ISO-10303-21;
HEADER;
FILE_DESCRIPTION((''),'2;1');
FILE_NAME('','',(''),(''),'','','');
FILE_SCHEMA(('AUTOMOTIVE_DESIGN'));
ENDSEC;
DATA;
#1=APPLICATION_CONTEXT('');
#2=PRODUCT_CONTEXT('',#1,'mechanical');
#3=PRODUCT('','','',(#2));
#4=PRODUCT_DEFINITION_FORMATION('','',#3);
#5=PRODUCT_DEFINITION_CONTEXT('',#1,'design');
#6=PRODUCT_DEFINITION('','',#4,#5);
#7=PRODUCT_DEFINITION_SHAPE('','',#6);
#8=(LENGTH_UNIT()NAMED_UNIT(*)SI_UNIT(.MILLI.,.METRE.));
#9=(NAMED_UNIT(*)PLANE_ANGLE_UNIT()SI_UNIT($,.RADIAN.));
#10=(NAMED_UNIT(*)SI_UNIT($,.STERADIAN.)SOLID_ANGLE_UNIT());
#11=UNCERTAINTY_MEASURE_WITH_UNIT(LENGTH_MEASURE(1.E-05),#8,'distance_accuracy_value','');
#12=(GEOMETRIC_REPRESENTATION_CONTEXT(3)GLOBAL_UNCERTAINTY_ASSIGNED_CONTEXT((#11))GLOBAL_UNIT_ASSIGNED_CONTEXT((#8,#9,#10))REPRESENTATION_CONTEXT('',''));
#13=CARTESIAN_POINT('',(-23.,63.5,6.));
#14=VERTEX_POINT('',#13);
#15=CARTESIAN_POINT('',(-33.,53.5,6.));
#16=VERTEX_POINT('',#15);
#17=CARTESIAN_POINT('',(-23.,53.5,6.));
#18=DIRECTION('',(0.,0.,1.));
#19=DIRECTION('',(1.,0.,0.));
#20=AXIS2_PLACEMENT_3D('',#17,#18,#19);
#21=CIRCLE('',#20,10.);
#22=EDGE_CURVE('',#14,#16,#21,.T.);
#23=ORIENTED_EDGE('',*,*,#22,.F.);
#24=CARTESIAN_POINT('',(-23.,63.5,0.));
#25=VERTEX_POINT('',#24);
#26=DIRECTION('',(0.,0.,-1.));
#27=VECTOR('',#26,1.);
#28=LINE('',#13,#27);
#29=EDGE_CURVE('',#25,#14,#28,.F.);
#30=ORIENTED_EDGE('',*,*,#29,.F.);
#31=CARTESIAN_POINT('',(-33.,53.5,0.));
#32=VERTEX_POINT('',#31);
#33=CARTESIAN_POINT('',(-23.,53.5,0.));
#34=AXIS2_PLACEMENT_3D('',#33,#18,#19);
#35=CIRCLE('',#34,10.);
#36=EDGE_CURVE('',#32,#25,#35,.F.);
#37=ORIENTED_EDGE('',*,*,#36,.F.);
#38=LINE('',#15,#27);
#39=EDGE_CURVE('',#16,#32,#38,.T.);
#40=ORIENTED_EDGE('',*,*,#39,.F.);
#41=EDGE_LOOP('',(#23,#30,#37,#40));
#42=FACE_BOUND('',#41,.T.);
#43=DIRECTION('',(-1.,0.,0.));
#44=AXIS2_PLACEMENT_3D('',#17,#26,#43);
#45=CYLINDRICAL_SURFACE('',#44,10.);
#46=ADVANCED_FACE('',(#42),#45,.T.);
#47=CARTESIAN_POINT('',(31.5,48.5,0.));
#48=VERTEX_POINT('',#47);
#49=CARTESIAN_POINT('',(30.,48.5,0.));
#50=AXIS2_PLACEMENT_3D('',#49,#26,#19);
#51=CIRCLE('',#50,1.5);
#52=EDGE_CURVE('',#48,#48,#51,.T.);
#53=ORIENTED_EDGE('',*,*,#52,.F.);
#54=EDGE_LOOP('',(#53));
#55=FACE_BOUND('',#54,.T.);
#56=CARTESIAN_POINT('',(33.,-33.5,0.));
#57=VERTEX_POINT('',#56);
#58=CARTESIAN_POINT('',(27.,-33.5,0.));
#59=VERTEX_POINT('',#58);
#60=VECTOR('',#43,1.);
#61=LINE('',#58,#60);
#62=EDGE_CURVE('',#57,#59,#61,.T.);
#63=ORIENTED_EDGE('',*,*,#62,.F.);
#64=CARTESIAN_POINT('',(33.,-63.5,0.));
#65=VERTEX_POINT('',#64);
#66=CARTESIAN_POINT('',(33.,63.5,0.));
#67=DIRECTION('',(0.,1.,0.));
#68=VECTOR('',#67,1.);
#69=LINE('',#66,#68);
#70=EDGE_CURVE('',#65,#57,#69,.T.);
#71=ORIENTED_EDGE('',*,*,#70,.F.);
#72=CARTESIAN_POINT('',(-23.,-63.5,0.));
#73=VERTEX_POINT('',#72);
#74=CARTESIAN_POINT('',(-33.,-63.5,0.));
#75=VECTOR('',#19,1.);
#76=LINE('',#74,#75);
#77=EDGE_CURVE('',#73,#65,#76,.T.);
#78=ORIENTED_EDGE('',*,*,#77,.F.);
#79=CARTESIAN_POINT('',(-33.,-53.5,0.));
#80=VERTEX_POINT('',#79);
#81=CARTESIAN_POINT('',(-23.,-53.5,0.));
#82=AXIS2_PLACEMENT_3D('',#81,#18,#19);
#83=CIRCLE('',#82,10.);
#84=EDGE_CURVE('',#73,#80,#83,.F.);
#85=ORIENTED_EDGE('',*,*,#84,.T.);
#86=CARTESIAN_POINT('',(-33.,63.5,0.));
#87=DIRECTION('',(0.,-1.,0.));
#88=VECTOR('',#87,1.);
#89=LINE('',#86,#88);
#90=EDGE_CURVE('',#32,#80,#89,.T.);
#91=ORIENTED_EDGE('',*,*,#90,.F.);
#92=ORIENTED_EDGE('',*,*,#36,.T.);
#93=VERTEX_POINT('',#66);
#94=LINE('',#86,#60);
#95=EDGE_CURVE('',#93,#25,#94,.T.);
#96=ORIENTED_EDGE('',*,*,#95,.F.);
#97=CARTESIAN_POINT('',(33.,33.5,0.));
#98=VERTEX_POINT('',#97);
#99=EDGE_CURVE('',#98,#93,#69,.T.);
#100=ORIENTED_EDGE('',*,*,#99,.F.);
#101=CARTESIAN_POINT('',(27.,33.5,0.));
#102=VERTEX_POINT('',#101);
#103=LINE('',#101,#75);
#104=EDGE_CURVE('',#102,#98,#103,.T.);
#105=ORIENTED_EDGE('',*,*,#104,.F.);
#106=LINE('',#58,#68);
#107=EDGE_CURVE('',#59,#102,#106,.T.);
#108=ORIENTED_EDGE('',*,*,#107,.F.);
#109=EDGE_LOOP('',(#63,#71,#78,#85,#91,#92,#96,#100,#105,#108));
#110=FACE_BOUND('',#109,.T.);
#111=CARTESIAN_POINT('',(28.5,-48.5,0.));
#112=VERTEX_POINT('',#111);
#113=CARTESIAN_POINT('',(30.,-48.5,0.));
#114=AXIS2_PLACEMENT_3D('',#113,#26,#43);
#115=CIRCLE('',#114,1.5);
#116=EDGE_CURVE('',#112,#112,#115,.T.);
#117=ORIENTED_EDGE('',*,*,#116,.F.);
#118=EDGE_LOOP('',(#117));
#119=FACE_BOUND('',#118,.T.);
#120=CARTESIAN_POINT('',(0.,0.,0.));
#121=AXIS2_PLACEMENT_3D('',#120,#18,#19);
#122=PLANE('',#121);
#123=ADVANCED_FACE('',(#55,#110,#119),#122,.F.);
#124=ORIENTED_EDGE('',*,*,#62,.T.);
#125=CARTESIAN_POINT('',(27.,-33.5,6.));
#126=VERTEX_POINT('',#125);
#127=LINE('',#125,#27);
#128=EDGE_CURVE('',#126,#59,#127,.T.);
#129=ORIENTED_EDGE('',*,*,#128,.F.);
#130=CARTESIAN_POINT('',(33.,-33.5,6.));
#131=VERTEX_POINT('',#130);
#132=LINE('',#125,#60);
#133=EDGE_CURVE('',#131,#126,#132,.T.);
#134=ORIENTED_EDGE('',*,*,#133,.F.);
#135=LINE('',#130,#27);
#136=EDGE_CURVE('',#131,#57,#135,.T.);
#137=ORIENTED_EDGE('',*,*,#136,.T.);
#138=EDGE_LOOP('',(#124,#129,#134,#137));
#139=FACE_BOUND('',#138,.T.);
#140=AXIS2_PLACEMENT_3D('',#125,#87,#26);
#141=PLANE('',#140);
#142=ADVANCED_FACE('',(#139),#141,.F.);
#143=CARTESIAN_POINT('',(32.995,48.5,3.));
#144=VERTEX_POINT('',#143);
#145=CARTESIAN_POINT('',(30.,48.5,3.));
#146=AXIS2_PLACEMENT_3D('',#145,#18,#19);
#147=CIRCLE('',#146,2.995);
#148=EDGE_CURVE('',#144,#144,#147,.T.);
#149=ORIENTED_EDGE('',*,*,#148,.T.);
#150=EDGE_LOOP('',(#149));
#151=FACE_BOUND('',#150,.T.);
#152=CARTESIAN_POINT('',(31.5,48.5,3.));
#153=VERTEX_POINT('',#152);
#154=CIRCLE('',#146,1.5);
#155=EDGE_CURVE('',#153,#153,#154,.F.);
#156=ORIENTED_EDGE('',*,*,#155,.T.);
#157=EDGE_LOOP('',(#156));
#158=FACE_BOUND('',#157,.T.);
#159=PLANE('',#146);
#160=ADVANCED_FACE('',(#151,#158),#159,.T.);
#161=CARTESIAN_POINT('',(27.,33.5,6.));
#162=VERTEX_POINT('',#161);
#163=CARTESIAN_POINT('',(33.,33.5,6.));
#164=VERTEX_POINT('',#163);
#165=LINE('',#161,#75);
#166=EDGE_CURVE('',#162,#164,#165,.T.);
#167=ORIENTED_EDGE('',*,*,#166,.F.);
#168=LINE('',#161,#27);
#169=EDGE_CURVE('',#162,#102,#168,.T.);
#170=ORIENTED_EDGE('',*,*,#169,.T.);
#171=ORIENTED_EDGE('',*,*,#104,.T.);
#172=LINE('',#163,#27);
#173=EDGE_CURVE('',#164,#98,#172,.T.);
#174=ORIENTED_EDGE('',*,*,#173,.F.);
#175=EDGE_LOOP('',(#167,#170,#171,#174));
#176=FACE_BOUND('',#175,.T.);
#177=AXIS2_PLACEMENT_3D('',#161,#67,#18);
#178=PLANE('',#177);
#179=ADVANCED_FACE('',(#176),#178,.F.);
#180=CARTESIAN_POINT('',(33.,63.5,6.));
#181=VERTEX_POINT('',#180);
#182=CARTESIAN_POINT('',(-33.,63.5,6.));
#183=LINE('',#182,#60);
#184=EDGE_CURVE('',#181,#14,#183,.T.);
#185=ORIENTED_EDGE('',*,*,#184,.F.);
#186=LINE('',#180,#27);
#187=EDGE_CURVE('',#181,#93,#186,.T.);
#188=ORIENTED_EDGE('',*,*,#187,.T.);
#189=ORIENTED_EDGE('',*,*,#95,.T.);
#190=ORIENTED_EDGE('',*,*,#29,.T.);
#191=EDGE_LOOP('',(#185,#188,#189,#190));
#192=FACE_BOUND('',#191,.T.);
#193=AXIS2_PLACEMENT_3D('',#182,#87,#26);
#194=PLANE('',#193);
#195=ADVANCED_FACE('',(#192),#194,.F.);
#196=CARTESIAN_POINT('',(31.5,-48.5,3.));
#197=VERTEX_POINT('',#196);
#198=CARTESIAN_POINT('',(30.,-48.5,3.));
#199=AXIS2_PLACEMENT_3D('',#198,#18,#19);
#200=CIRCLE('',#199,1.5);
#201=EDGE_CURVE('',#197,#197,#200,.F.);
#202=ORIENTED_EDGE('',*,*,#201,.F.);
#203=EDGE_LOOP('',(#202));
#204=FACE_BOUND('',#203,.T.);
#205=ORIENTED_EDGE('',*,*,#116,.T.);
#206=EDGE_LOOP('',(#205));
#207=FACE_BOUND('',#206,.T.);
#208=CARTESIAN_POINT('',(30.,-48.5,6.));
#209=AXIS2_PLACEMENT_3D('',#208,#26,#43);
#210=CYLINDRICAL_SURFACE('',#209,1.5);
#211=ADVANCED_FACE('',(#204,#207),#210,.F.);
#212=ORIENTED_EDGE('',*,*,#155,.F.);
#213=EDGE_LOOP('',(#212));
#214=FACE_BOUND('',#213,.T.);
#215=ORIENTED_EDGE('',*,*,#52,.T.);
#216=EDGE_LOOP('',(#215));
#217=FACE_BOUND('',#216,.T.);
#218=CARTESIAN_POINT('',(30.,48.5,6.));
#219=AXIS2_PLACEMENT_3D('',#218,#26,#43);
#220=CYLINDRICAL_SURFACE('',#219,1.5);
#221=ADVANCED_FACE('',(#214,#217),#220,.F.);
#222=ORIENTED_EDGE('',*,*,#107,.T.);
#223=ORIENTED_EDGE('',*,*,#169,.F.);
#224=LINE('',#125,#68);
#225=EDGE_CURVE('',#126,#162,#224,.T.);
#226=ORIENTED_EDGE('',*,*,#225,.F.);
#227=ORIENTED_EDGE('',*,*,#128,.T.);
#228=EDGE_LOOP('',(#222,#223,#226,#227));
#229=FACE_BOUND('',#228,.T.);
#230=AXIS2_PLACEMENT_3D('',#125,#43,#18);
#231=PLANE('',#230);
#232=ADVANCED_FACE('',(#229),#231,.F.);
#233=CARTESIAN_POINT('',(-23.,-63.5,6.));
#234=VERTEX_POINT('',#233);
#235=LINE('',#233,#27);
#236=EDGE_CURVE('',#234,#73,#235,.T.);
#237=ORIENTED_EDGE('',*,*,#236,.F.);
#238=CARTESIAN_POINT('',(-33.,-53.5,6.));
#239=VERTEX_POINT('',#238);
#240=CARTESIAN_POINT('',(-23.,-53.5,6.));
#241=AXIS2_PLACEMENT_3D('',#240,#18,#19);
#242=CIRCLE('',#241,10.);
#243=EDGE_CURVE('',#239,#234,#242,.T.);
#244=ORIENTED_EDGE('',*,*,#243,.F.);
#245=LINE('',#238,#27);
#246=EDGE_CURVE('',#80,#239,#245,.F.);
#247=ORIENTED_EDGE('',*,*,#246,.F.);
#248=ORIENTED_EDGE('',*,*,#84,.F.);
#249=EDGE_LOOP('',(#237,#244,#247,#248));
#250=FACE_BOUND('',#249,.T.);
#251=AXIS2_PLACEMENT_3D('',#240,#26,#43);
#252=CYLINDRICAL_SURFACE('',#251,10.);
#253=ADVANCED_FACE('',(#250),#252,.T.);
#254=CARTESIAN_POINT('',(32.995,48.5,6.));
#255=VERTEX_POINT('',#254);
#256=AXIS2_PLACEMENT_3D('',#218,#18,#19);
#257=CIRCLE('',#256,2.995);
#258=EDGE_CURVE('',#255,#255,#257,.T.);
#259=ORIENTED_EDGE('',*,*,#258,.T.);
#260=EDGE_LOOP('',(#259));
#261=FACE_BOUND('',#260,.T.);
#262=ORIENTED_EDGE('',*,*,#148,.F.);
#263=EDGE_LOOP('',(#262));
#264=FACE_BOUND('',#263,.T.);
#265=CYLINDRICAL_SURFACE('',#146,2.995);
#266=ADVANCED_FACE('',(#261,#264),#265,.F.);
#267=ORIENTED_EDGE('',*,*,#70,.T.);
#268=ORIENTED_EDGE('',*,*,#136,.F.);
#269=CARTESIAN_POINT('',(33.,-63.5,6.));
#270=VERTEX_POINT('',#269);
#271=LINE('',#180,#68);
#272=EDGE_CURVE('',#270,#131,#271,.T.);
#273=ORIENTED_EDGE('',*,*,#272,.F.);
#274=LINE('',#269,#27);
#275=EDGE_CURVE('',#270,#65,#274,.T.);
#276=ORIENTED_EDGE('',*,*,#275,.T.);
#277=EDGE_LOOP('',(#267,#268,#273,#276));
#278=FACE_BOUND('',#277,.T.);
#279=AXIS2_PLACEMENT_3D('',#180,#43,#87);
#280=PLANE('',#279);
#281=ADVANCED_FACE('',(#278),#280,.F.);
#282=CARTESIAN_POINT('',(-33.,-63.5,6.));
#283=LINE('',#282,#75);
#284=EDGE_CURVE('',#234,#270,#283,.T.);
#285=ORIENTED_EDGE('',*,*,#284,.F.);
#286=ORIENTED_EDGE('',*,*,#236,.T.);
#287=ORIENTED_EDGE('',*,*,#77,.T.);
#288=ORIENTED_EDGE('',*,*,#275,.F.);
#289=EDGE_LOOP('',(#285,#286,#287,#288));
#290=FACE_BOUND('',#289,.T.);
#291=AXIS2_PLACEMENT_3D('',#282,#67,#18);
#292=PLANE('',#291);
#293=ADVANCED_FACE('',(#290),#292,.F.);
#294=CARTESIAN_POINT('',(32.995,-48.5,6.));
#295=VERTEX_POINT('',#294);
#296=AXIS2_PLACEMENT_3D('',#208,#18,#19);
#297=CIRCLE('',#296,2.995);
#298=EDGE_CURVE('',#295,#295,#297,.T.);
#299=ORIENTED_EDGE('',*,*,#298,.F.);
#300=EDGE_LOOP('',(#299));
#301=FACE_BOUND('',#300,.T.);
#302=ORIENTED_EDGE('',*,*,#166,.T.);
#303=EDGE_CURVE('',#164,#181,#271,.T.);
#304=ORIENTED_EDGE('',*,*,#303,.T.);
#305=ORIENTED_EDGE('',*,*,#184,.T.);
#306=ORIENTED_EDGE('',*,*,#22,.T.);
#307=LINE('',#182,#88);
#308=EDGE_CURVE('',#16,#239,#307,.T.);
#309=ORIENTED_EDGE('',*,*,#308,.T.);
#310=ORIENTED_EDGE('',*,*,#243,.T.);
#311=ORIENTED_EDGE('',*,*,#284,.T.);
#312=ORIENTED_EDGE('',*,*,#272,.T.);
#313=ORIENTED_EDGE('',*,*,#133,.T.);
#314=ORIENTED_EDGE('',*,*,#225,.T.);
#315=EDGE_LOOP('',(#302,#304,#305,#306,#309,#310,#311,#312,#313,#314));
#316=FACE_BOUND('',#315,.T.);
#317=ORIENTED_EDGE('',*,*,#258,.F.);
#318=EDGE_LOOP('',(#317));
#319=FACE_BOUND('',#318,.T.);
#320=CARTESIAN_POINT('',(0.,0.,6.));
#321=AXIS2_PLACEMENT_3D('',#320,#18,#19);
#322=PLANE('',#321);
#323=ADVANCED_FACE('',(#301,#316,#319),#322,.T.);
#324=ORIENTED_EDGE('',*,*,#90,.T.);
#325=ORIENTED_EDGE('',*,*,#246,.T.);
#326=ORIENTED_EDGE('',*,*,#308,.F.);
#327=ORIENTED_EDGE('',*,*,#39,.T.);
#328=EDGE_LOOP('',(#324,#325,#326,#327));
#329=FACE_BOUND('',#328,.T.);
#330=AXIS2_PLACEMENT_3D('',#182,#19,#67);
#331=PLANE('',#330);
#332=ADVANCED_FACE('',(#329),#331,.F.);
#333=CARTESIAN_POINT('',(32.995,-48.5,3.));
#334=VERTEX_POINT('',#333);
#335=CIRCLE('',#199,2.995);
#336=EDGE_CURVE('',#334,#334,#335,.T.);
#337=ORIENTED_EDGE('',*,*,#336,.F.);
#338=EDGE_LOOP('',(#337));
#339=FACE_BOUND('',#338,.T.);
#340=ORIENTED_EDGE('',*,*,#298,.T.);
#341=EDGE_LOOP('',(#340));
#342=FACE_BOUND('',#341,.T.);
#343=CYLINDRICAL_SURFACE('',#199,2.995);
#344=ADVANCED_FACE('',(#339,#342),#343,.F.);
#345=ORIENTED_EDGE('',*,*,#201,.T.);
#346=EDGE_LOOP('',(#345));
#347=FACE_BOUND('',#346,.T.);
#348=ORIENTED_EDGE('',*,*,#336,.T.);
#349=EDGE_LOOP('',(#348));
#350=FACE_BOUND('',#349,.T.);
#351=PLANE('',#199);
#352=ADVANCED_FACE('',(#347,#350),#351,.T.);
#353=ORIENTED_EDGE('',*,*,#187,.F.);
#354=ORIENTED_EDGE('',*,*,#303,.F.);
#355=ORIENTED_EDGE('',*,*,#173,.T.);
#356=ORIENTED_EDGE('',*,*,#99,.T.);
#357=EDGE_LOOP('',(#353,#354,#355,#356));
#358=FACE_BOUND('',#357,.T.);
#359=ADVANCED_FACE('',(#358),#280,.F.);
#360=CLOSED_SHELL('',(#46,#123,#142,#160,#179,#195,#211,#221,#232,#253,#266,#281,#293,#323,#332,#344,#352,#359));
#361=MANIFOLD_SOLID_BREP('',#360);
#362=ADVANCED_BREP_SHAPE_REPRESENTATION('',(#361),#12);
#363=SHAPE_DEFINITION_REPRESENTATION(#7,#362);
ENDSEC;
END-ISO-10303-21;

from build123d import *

# Parameters (mm, degrees)
ESQUISSE1_W             = 66
ESQUISSE1_H             = 127
BOSS_EXTRU_1_DEPTH      = 6
CONG_1_R                = 10
ESQUISSE2_R             = 1.5
ESQUISSE2_W             = 6
ESQUISSE2_H             = 67
ENL_V_MAT_EXTRU_1_DEPTH = 72.81399585
ESQUISSE5_R             = 2.995
ENL_V_MAT_EXTRU_4_DEPTH = 3


with BuildPart() as part:
    # Esquisse1 → Boss.-Extru.1 (new body)
    with BuildSketch(Plane.XY):
        Rectangle(ESQUISSE1_W, ESQUISSE1_H)
    extrude(amount=BOSS_EXTRU_1_DEPTH)

    # Congé1
    cong_1_edges = [part.edges().sort_by_distance(p)[0] for p in [
        (-33, -63.5, 3),
        (-33, 63.5, 3),
    ]]
    fillet(cong_1_edges, radius=CONG_1_R)

    # Esquisse2 → Enlèv. mat.-Extru.1 (cut, through all)
    with BuildSketch(Plane(origin=(0, 0, 0), x_dir=(-1, 0, 0), z_dir=(0, 0, -1))):
        with Locations((-30, -48.5)):
            Circle(ESQUISSE2_R)
        with Locations(Location((-30, 48.5, 0), (0, 0, 180))):
            Circle(ESQUISSE2_R)
        with Locations((-30, 0)):
            Rectangle(ESQUISSE2_W, ESQUISSE2_H)
    extrude(amount=-ENL_V_MAT_EXTRU_1_DEPTH, mode=Mode.SUBTRACT)

    # Esquisse5 → Enlèv. mat.-Extru.4 (cut)
    with BuildSketch(Plane.XY.offset(6)):
        with Locations((30, 48.5)):
            Circle(ESQUISSE5_R)
        with Locations((30, -48.5)):
            Circle(ESQUISSE5_R)
    extrude(amount=-ENL_V_MAT_EXTRU_4_DEPTH, mode=Mode.SUBTRACT)


solid = part.part
